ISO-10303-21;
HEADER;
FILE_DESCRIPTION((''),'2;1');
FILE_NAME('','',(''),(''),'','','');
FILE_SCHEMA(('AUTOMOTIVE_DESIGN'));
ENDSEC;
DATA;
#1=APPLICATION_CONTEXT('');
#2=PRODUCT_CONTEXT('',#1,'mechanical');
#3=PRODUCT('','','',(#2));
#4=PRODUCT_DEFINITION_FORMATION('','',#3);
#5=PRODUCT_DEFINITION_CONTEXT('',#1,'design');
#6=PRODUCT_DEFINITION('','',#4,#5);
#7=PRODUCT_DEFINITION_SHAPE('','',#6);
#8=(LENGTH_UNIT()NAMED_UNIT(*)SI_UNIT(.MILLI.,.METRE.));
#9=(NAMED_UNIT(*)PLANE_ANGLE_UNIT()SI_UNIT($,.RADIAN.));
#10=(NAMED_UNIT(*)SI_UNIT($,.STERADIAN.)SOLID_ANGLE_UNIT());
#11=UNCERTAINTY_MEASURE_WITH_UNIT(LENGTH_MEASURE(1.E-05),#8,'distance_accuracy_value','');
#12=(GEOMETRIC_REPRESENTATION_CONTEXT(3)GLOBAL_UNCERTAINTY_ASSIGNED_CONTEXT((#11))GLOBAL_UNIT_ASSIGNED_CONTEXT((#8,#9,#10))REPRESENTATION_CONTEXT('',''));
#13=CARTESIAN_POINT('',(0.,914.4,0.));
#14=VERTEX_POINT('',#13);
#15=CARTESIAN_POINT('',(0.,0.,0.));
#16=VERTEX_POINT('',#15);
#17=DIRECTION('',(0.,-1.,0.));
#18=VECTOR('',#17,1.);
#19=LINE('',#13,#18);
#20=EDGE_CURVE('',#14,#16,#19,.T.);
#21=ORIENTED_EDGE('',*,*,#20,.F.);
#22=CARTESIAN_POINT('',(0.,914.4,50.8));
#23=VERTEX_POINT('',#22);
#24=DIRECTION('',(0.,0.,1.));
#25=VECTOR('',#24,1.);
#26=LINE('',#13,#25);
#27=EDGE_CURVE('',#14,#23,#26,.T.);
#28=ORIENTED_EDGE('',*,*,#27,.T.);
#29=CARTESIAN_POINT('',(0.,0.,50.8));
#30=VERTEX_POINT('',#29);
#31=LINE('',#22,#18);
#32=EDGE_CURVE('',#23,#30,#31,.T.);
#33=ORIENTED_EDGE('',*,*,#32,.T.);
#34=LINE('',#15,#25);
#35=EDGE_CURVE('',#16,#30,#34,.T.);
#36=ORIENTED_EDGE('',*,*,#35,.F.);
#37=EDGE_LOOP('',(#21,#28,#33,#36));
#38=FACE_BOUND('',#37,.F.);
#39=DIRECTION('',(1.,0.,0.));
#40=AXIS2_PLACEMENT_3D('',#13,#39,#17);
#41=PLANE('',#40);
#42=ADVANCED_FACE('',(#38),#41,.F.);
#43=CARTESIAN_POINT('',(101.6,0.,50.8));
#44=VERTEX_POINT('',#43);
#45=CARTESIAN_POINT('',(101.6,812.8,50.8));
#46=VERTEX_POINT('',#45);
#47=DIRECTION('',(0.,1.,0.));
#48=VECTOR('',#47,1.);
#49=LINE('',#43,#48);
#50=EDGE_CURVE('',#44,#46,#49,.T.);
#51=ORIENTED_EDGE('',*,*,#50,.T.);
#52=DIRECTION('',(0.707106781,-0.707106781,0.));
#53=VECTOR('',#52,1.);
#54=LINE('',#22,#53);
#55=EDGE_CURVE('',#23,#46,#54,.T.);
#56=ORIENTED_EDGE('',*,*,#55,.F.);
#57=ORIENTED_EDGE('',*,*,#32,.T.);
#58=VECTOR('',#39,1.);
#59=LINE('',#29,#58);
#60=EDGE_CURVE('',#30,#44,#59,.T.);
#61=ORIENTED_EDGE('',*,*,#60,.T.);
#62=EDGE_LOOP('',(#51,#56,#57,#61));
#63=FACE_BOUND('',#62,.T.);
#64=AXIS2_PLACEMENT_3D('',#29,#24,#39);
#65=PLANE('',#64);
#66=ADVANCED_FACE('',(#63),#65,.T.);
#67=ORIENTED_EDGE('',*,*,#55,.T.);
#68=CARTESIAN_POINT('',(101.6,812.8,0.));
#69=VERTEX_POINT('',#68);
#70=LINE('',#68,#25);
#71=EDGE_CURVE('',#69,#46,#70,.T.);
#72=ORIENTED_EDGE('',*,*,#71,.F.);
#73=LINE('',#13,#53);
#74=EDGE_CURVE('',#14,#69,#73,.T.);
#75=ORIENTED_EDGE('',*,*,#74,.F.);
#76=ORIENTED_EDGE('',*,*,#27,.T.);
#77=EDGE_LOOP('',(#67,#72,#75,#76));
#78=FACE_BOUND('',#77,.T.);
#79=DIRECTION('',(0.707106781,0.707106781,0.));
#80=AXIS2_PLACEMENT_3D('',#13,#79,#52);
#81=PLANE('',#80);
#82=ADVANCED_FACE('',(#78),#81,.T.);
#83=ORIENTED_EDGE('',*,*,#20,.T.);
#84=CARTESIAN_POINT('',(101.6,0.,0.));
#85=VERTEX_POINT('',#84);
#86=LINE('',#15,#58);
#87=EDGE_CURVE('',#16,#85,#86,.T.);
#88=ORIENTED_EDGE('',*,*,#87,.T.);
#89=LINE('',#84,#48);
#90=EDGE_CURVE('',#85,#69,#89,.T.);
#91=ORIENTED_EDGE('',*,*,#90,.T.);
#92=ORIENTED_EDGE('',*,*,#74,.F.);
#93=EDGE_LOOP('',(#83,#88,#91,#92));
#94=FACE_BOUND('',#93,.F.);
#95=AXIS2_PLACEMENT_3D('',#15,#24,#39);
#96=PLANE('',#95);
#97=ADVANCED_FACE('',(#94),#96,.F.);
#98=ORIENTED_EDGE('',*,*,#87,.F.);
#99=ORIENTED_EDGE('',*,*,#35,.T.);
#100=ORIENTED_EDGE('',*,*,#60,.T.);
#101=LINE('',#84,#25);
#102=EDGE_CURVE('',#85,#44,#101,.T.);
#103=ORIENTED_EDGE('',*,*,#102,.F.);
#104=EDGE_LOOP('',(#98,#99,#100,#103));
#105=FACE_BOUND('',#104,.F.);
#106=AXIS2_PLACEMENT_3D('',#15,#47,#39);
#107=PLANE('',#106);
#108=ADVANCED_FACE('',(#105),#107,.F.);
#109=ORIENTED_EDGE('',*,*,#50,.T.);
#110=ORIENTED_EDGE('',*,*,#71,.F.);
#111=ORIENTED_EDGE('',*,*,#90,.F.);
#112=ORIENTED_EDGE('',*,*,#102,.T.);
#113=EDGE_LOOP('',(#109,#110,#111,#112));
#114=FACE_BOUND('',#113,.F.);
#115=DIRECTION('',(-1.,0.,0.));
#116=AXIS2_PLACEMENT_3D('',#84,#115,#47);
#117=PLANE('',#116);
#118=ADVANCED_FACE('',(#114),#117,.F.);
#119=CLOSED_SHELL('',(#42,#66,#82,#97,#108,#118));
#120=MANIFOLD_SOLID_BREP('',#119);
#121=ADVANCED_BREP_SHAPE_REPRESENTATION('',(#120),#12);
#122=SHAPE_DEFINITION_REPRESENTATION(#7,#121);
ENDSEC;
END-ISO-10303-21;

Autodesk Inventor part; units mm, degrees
ref_plane "YZ Plane" through (0, 0, 0) normal (1, 0, 0) x (0, 1, 0)
ref_plane "XZ Plane" through (0, 0, 0) normal (0, 1, 0) x (-1, 0, 0)
ref_plane "XY Plane" through (0, 0, 0) normal (0, 0, 1) x (1, 0, 0)
sketch "Sketch1" plane through (0, 0, 0) normal (0, 0, 1) x (1, 0, 0)
  line L0 (0, 0) -> (101.6, 0)
  line L1 (101.6, 0) -> (101.6, 812.8)
  line L2 (0, 914.4) -> (0, 0)
  line L3 (0, 914.4) -> (101.6, 812.8)
  dimension "d1" = 914.4
extrude "Extrusion1" add sketch "Sketch1" along normal blind 50.8
properties part number "2x4x36 (45 90)"
